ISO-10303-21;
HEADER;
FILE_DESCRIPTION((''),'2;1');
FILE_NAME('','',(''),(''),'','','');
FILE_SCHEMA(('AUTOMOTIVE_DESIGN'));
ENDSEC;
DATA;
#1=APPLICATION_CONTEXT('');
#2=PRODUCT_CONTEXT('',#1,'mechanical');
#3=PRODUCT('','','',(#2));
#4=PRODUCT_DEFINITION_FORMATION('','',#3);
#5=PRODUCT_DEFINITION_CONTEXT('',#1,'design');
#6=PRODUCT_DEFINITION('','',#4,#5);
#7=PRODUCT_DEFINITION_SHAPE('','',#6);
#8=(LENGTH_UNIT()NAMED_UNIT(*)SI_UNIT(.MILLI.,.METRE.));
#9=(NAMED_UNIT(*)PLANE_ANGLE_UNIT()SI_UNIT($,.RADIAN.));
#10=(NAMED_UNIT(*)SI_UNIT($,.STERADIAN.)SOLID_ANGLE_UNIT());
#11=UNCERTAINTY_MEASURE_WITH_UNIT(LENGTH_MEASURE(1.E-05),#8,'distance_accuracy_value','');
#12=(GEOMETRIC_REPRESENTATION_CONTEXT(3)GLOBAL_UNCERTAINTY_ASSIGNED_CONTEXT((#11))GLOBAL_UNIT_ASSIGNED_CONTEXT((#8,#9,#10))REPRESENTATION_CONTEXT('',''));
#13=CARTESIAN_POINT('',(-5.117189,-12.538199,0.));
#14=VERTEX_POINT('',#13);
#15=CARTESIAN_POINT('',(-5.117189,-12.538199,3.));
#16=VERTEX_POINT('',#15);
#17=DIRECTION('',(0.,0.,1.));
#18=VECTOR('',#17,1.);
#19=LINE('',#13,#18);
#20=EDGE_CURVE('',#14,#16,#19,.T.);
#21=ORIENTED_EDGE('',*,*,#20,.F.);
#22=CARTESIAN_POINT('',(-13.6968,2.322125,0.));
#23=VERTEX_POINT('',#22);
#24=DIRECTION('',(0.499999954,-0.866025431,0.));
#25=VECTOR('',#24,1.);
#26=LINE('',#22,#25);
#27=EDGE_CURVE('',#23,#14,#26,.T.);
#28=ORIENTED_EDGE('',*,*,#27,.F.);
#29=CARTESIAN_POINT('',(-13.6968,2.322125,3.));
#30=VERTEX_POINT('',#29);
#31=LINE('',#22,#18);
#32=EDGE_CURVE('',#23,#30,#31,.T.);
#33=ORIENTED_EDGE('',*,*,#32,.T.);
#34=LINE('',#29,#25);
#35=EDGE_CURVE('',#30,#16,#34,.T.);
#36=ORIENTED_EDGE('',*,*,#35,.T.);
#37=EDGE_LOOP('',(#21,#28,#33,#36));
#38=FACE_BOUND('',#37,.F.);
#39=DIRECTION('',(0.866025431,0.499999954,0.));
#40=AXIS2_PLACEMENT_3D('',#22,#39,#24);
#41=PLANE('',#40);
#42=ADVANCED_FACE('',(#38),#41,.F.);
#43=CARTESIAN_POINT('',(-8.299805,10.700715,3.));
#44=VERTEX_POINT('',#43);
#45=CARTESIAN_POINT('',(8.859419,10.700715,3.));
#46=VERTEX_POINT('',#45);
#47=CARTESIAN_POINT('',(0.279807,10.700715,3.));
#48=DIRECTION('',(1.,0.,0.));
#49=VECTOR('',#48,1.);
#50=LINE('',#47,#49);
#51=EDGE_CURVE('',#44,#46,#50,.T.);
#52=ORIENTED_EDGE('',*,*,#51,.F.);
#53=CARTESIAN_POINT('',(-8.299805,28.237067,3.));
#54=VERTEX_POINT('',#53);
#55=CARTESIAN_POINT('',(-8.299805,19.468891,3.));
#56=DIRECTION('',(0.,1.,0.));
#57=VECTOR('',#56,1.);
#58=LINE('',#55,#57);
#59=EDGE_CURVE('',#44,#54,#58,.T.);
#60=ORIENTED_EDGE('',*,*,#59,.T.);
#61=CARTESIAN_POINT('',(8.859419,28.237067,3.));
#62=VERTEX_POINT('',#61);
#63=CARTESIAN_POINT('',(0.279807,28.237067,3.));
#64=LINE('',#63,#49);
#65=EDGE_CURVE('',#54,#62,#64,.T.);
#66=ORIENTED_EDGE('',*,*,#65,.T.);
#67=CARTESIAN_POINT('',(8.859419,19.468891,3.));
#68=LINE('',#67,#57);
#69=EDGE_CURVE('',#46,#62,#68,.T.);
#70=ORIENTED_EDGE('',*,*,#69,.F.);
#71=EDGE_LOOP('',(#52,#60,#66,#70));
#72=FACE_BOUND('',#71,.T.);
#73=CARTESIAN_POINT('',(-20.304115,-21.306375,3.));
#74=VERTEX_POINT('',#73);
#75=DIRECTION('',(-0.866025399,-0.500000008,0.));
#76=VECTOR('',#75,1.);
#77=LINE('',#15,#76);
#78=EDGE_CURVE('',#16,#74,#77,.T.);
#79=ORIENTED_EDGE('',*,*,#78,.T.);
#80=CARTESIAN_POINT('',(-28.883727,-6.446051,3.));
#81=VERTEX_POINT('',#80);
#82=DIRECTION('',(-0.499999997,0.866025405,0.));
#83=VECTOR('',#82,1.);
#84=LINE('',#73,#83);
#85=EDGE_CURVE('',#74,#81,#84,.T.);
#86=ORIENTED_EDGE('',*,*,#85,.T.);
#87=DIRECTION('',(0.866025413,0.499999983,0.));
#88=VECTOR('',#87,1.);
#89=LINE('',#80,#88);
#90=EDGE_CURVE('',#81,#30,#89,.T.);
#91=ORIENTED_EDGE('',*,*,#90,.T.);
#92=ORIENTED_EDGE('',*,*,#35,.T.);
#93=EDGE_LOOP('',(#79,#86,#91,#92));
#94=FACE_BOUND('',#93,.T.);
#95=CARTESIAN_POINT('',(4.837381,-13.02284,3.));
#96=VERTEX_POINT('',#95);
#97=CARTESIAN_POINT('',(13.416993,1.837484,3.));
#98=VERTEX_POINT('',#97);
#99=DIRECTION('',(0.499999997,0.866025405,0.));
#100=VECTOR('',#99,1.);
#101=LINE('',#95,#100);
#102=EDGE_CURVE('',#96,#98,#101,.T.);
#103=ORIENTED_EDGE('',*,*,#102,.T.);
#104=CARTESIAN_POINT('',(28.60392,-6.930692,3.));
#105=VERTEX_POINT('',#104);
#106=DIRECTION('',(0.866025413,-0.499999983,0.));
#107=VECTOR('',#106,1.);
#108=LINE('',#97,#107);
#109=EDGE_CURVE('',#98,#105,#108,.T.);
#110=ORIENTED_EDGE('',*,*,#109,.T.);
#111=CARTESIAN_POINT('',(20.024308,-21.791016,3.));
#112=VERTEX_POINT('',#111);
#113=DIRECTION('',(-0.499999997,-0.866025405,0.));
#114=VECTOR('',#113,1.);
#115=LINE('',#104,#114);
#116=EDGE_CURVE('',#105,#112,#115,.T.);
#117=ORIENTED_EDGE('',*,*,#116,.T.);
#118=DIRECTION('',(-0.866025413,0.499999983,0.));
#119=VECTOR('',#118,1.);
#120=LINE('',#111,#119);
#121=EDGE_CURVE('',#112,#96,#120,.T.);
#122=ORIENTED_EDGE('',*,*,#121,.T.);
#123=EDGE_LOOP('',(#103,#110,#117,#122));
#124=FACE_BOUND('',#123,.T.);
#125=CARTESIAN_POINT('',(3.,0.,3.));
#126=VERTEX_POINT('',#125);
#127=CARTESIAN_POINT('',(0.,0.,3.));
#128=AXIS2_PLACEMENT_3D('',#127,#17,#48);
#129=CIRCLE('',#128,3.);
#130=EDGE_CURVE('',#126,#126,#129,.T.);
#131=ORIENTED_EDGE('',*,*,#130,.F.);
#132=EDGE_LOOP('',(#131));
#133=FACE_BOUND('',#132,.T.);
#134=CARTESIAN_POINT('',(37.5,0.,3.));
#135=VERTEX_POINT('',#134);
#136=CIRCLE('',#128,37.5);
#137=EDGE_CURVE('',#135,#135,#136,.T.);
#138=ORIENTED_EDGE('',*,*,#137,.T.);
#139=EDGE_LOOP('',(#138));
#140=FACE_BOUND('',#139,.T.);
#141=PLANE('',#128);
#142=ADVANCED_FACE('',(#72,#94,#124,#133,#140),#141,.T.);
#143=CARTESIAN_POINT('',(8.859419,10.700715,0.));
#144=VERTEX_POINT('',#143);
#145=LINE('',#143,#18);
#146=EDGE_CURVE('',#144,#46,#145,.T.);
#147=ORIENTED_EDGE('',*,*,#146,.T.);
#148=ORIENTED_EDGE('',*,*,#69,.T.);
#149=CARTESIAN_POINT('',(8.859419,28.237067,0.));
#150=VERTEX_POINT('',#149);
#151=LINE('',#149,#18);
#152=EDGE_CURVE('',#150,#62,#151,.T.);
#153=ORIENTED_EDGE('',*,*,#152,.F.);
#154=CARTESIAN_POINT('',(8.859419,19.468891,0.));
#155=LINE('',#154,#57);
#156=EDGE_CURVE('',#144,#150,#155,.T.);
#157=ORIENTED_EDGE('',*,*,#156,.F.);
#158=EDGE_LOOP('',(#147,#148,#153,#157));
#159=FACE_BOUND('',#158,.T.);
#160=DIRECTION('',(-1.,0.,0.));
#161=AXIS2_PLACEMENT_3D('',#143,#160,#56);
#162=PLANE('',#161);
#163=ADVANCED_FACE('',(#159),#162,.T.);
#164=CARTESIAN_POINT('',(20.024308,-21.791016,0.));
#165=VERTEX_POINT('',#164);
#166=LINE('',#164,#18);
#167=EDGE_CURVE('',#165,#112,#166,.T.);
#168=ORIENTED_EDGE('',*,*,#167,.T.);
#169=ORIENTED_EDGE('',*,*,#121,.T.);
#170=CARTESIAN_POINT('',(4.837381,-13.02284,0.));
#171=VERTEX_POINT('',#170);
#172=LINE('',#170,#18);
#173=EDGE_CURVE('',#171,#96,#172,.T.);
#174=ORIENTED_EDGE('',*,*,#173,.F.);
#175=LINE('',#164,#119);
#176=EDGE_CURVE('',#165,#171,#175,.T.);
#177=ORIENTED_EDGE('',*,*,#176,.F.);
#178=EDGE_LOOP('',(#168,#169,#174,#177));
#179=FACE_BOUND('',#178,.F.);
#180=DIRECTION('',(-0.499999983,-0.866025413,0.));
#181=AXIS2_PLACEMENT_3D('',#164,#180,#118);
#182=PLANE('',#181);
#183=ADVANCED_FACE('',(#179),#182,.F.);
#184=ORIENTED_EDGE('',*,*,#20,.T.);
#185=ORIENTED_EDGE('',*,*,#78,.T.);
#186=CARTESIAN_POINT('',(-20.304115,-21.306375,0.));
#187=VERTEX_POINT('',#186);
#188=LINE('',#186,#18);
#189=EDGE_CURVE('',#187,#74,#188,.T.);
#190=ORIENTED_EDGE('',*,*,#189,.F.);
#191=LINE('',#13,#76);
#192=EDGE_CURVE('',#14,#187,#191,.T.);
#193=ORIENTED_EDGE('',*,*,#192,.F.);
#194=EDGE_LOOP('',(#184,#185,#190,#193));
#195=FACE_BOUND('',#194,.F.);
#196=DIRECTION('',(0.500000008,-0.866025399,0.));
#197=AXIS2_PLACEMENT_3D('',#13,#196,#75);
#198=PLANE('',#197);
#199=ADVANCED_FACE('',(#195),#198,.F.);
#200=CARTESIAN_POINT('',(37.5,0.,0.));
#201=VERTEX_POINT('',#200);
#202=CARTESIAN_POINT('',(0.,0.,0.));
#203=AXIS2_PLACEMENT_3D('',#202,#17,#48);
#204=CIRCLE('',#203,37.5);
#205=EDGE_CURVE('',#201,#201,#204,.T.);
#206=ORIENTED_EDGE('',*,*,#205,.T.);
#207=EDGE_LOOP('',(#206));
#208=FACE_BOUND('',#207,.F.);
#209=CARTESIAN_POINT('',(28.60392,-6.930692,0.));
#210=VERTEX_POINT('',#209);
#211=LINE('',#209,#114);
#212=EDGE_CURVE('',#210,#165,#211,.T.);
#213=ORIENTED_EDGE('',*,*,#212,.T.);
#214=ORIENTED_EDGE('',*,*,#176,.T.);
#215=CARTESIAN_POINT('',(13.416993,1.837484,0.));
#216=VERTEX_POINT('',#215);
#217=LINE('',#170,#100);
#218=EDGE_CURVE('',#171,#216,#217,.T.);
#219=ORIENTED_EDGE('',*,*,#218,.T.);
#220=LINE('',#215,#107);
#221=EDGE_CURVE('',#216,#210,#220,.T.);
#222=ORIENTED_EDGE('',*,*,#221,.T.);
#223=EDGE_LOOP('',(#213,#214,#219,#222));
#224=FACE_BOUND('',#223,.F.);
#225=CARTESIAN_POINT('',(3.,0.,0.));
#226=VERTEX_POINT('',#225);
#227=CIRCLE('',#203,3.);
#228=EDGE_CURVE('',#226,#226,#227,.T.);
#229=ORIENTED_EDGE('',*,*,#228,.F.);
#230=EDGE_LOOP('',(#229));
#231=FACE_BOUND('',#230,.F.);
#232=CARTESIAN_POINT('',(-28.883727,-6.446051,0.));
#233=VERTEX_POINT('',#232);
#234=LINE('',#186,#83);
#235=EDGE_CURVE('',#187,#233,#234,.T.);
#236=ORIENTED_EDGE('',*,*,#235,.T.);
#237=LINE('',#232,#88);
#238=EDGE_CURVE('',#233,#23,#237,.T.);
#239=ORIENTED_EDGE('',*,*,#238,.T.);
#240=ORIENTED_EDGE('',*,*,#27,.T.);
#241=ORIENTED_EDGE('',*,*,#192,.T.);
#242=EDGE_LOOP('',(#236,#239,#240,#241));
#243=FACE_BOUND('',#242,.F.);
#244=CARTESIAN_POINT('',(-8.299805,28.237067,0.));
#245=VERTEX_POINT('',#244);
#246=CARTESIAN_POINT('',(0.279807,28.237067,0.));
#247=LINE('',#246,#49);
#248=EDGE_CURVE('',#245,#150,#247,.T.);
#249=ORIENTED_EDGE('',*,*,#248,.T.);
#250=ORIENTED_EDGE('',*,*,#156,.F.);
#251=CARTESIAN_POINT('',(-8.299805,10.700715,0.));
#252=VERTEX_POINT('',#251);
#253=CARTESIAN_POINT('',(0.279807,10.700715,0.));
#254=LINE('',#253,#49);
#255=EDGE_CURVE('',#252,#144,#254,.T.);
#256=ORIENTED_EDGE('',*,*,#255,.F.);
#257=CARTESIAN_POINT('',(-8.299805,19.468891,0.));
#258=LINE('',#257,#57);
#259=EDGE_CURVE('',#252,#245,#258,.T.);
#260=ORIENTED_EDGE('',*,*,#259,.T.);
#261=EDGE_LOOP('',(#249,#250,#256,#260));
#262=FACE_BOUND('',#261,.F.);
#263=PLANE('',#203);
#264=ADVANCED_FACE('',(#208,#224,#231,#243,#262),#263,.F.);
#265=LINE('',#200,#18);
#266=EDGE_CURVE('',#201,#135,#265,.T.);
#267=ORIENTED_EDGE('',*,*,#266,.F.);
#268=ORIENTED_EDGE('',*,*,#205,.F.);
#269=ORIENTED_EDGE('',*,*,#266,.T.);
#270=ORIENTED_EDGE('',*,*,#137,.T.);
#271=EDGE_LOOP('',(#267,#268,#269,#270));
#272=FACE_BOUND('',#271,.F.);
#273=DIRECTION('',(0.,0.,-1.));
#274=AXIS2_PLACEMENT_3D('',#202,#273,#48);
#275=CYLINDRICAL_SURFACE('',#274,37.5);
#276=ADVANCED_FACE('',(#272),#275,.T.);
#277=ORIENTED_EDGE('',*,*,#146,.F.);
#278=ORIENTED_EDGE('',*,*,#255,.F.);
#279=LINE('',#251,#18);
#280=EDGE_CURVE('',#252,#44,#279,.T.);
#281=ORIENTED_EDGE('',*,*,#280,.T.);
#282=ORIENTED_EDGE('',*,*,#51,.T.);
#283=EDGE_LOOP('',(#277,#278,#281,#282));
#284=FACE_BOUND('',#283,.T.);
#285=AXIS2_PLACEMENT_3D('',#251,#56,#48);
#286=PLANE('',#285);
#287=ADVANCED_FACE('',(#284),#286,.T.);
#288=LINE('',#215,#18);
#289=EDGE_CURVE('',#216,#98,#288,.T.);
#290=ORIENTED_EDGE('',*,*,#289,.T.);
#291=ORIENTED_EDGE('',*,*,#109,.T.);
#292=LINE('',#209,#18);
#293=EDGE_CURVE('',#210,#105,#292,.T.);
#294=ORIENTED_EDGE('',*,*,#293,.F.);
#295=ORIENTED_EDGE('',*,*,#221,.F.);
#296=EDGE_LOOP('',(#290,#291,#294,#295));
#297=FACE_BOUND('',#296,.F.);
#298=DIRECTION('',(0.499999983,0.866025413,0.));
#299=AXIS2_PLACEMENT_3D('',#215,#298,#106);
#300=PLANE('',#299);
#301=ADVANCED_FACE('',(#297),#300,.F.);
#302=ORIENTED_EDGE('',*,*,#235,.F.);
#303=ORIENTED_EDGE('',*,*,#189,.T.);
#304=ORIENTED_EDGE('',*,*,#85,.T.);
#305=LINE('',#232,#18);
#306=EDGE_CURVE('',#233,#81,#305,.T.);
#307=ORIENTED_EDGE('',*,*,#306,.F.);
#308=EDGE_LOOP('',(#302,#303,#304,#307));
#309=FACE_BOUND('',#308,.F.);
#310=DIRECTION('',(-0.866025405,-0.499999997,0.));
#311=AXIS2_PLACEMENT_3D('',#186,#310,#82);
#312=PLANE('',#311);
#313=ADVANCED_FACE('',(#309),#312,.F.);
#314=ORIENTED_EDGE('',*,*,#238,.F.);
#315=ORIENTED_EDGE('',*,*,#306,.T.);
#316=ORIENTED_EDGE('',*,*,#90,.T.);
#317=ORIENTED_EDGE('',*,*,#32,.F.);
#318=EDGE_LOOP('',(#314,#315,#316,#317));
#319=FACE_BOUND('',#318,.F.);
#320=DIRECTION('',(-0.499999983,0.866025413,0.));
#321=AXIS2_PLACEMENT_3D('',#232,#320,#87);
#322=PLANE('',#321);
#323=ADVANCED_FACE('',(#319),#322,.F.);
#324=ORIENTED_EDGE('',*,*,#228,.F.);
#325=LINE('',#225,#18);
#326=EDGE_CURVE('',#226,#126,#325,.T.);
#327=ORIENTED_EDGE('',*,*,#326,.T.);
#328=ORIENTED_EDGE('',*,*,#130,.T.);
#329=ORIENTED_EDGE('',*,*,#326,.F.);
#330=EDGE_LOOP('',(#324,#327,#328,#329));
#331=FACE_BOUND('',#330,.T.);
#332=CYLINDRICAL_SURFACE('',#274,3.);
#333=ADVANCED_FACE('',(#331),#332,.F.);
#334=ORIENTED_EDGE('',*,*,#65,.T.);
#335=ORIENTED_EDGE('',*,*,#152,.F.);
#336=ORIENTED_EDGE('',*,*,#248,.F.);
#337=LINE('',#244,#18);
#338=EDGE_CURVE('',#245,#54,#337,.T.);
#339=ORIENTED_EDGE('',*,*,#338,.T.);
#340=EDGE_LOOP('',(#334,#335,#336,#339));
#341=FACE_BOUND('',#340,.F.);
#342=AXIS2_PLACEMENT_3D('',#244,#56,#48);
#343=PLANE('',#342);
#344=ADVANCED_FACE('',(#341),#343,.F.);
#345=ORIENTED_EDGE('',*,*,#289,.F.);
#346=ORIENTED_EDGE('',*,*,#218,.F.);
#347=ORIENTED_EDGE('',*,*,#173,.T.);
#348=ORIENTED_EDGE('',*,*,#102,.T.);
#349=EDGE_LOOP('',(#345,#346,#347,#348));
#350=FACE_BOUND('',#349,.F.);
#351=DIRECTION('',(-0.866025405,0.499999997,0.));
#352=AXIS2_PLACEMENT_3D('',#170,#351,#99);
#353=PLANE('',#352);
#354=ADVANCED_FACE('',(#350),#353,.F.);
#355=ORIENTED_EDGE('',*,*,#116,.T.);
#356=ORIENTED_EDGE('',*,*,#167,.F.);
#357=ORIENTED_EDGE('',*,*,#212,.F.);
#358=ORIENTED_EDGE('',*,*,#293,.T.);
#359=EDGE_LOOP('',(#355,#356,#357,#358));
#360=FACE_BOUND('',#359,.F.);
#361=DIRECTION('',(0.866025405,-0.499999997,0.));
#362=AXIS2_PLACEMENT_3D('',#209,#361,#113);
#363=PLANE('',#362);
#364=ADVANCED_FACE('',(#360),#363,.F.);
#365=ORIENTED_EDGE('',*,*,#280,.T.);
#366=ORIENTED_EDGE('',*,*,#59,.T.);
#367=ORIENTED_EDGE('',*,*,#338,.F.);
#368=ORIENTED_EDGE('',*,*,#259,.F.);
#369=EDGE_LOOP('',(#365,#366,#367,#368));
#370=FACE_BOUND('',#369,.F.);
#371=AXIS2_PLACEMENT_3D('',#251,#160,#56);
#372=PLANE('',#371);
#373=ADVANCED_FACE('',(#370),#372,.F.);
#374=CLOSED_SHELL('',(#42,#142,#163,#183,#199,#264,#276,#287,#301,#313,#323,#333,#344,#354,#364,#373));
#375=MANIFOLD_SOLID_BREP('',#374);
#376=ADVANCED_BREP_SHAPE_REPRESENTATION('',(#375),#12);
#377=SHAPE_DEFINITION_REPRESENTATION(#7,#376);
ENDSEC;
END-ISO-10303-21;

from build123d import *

# Parameters (mm, degrees)
F0_R     = 37.5
F0_R_2   = 3
F0_W     = 17.159223
F0_H     = 17.536352
F1_DEPTH = 3


with BuildPart() as f1:
    # F0 (on Top) → F1 (new body)
    with BuildSketch(Plane.XY):
        Circle(F0_R)
        Polygon((-5.117189, -12.538199), (-20.304115, -21.306375), (-28.883727, -6.446051), (-13.6968, 2.322125), align=None, mode=Mode.SUBTRACT)
        Polygon((13.416993, 1.837484), (28.60392, -6.930692), (20.024308, -21.791016), (4.837381, -13.02284), align=None, mode=Mode.SUBTRACT)
        Circle(F0_R_2, mode=Mode.SUBTRACT)
        with Locations((0.279807, 19.468891)):
            Rectangle(F0_W, F0_H, mode=Mode.SUBTRACT)
    extrude(amount=F1_DEPTH)


solid = f1.part
